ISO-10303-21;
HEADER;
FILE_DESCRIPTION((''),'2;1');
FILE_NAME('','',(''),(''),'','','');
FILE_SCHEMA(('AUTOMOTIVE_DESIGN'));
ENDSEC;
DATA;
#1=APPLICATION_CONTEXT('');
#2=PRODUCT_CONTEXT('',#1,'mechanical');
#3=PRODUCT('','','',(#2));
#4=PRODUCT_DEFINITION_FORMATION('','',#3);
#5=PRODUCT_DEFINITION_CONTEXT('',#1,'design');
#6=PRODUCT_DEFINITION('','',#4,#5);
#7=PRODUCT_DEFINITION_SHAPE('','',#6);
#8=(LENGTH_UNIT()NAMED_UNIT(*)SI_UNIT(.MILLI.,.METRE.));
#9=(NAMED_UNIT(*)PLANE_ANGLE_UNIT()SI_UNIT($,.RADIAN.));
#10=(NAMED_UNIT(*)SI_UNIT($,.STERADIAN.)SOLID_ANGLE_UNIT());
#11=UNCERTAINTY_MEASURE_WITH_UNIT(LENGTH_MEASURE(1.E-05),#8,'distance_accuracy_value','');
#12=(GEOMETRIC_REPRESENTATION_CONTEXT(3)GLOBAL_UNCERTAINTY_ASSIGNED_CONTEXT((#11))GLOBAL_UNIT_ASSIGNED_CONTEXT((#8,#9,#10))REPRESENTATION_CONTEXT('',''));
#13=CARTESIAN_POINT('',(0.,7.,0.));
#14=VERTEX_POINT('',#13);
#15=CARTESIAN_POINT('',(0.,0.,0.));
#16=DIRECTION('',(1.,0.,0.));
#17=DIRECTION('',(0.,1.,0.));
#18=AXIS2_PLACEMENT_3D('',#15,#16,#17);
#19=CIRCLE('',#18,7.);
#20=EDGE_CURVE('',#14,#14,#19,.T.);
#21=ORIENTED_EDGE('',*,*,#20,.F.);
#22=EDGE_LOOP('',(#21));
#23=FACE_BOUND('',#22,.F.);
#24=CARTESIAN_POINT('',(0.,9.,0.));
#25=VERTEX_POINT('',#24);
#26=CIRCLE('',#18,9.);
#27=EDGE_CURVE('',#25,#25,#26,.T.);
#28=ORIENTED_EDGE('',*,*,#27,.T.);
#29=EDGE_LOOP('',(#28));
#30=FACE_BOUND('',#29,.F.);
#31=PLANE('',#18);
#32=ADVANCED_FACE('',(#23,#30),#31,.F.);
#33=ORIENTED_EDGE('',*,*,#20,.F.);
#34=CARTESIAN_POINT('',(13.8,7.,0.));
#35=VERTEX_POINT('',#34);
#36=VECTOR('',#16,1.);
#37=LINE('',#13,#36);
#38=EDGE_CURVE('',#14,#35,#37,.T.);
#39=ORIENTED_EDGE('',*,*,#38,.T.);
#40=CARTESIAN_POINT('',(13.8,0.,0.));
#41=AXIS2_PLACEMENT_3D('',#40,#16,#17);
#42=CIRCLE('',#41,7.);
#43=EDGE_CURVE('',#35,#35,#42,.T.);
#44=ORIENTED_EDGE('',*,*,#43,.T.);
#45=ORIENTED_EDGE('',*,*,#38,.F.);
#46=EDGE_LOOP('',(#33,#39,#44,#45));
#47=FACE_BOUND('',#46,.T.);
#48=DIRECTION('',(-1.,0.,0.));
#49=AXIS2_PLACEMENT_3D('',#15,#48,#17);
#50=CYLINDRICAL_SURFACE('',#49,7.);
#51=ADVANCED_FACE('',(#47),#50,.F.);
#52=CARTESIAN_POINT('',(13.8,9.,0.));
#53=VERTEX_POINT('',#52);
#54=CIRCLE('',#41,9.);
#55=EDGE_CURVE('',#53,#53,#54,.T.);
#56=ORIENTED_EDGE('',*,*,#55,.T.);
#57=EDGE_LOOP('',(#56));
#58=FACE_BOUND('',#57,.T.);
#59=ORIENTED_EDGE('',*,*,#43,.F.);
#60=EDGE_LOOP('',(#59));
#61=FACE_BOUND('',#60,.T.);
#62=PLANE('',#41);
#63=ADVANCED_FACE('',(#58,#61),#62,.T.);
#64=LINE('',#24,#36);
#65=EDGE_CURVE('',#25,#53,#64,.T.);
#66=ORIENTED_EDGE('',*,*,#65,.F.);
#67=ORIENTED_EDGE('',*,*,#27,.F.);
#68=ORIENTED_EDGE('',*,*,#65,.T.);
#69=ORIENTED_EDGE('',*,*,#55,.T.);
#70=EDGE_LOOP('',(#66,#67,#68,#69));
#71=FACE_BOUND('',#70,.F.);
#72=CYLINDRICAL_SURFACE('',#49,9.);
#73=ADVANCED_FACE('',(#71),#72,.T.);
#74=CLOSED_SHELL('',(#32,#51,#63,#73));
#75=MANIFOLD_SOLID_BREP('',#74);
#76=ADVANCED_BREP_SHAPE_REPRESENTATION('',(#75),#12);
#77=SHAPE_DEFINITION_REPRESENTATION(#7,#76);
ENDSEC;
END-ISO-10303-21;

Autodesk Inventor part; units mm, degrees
ref_plane "YZ Plane" through (0, 0, 0) normal (1, 0, 0) x (0, 1, 0)
ref_plane "XZ Plane" through (0, 0, 0) normal (0, 1, 0) x (-1, 0, 0)
ref_plane "XY Plane" through (0, 0, 0) normal (0, 0, 1) x (1, 0, 0)
sketch "Szkic1" plane through (0, 0, 0) normal (1, 0, 0) x (0, 1, 0)
  circle A0 centre (0, 0) radius 7
  circle A1 centre (0, 0) radius 9
  dimension "d0" = 14
  dimension "d1" = 18
extrude "Wyciągnięcie proste1" add sketch "Szkic1" along normal blind 13.8
properties part number "opona"
